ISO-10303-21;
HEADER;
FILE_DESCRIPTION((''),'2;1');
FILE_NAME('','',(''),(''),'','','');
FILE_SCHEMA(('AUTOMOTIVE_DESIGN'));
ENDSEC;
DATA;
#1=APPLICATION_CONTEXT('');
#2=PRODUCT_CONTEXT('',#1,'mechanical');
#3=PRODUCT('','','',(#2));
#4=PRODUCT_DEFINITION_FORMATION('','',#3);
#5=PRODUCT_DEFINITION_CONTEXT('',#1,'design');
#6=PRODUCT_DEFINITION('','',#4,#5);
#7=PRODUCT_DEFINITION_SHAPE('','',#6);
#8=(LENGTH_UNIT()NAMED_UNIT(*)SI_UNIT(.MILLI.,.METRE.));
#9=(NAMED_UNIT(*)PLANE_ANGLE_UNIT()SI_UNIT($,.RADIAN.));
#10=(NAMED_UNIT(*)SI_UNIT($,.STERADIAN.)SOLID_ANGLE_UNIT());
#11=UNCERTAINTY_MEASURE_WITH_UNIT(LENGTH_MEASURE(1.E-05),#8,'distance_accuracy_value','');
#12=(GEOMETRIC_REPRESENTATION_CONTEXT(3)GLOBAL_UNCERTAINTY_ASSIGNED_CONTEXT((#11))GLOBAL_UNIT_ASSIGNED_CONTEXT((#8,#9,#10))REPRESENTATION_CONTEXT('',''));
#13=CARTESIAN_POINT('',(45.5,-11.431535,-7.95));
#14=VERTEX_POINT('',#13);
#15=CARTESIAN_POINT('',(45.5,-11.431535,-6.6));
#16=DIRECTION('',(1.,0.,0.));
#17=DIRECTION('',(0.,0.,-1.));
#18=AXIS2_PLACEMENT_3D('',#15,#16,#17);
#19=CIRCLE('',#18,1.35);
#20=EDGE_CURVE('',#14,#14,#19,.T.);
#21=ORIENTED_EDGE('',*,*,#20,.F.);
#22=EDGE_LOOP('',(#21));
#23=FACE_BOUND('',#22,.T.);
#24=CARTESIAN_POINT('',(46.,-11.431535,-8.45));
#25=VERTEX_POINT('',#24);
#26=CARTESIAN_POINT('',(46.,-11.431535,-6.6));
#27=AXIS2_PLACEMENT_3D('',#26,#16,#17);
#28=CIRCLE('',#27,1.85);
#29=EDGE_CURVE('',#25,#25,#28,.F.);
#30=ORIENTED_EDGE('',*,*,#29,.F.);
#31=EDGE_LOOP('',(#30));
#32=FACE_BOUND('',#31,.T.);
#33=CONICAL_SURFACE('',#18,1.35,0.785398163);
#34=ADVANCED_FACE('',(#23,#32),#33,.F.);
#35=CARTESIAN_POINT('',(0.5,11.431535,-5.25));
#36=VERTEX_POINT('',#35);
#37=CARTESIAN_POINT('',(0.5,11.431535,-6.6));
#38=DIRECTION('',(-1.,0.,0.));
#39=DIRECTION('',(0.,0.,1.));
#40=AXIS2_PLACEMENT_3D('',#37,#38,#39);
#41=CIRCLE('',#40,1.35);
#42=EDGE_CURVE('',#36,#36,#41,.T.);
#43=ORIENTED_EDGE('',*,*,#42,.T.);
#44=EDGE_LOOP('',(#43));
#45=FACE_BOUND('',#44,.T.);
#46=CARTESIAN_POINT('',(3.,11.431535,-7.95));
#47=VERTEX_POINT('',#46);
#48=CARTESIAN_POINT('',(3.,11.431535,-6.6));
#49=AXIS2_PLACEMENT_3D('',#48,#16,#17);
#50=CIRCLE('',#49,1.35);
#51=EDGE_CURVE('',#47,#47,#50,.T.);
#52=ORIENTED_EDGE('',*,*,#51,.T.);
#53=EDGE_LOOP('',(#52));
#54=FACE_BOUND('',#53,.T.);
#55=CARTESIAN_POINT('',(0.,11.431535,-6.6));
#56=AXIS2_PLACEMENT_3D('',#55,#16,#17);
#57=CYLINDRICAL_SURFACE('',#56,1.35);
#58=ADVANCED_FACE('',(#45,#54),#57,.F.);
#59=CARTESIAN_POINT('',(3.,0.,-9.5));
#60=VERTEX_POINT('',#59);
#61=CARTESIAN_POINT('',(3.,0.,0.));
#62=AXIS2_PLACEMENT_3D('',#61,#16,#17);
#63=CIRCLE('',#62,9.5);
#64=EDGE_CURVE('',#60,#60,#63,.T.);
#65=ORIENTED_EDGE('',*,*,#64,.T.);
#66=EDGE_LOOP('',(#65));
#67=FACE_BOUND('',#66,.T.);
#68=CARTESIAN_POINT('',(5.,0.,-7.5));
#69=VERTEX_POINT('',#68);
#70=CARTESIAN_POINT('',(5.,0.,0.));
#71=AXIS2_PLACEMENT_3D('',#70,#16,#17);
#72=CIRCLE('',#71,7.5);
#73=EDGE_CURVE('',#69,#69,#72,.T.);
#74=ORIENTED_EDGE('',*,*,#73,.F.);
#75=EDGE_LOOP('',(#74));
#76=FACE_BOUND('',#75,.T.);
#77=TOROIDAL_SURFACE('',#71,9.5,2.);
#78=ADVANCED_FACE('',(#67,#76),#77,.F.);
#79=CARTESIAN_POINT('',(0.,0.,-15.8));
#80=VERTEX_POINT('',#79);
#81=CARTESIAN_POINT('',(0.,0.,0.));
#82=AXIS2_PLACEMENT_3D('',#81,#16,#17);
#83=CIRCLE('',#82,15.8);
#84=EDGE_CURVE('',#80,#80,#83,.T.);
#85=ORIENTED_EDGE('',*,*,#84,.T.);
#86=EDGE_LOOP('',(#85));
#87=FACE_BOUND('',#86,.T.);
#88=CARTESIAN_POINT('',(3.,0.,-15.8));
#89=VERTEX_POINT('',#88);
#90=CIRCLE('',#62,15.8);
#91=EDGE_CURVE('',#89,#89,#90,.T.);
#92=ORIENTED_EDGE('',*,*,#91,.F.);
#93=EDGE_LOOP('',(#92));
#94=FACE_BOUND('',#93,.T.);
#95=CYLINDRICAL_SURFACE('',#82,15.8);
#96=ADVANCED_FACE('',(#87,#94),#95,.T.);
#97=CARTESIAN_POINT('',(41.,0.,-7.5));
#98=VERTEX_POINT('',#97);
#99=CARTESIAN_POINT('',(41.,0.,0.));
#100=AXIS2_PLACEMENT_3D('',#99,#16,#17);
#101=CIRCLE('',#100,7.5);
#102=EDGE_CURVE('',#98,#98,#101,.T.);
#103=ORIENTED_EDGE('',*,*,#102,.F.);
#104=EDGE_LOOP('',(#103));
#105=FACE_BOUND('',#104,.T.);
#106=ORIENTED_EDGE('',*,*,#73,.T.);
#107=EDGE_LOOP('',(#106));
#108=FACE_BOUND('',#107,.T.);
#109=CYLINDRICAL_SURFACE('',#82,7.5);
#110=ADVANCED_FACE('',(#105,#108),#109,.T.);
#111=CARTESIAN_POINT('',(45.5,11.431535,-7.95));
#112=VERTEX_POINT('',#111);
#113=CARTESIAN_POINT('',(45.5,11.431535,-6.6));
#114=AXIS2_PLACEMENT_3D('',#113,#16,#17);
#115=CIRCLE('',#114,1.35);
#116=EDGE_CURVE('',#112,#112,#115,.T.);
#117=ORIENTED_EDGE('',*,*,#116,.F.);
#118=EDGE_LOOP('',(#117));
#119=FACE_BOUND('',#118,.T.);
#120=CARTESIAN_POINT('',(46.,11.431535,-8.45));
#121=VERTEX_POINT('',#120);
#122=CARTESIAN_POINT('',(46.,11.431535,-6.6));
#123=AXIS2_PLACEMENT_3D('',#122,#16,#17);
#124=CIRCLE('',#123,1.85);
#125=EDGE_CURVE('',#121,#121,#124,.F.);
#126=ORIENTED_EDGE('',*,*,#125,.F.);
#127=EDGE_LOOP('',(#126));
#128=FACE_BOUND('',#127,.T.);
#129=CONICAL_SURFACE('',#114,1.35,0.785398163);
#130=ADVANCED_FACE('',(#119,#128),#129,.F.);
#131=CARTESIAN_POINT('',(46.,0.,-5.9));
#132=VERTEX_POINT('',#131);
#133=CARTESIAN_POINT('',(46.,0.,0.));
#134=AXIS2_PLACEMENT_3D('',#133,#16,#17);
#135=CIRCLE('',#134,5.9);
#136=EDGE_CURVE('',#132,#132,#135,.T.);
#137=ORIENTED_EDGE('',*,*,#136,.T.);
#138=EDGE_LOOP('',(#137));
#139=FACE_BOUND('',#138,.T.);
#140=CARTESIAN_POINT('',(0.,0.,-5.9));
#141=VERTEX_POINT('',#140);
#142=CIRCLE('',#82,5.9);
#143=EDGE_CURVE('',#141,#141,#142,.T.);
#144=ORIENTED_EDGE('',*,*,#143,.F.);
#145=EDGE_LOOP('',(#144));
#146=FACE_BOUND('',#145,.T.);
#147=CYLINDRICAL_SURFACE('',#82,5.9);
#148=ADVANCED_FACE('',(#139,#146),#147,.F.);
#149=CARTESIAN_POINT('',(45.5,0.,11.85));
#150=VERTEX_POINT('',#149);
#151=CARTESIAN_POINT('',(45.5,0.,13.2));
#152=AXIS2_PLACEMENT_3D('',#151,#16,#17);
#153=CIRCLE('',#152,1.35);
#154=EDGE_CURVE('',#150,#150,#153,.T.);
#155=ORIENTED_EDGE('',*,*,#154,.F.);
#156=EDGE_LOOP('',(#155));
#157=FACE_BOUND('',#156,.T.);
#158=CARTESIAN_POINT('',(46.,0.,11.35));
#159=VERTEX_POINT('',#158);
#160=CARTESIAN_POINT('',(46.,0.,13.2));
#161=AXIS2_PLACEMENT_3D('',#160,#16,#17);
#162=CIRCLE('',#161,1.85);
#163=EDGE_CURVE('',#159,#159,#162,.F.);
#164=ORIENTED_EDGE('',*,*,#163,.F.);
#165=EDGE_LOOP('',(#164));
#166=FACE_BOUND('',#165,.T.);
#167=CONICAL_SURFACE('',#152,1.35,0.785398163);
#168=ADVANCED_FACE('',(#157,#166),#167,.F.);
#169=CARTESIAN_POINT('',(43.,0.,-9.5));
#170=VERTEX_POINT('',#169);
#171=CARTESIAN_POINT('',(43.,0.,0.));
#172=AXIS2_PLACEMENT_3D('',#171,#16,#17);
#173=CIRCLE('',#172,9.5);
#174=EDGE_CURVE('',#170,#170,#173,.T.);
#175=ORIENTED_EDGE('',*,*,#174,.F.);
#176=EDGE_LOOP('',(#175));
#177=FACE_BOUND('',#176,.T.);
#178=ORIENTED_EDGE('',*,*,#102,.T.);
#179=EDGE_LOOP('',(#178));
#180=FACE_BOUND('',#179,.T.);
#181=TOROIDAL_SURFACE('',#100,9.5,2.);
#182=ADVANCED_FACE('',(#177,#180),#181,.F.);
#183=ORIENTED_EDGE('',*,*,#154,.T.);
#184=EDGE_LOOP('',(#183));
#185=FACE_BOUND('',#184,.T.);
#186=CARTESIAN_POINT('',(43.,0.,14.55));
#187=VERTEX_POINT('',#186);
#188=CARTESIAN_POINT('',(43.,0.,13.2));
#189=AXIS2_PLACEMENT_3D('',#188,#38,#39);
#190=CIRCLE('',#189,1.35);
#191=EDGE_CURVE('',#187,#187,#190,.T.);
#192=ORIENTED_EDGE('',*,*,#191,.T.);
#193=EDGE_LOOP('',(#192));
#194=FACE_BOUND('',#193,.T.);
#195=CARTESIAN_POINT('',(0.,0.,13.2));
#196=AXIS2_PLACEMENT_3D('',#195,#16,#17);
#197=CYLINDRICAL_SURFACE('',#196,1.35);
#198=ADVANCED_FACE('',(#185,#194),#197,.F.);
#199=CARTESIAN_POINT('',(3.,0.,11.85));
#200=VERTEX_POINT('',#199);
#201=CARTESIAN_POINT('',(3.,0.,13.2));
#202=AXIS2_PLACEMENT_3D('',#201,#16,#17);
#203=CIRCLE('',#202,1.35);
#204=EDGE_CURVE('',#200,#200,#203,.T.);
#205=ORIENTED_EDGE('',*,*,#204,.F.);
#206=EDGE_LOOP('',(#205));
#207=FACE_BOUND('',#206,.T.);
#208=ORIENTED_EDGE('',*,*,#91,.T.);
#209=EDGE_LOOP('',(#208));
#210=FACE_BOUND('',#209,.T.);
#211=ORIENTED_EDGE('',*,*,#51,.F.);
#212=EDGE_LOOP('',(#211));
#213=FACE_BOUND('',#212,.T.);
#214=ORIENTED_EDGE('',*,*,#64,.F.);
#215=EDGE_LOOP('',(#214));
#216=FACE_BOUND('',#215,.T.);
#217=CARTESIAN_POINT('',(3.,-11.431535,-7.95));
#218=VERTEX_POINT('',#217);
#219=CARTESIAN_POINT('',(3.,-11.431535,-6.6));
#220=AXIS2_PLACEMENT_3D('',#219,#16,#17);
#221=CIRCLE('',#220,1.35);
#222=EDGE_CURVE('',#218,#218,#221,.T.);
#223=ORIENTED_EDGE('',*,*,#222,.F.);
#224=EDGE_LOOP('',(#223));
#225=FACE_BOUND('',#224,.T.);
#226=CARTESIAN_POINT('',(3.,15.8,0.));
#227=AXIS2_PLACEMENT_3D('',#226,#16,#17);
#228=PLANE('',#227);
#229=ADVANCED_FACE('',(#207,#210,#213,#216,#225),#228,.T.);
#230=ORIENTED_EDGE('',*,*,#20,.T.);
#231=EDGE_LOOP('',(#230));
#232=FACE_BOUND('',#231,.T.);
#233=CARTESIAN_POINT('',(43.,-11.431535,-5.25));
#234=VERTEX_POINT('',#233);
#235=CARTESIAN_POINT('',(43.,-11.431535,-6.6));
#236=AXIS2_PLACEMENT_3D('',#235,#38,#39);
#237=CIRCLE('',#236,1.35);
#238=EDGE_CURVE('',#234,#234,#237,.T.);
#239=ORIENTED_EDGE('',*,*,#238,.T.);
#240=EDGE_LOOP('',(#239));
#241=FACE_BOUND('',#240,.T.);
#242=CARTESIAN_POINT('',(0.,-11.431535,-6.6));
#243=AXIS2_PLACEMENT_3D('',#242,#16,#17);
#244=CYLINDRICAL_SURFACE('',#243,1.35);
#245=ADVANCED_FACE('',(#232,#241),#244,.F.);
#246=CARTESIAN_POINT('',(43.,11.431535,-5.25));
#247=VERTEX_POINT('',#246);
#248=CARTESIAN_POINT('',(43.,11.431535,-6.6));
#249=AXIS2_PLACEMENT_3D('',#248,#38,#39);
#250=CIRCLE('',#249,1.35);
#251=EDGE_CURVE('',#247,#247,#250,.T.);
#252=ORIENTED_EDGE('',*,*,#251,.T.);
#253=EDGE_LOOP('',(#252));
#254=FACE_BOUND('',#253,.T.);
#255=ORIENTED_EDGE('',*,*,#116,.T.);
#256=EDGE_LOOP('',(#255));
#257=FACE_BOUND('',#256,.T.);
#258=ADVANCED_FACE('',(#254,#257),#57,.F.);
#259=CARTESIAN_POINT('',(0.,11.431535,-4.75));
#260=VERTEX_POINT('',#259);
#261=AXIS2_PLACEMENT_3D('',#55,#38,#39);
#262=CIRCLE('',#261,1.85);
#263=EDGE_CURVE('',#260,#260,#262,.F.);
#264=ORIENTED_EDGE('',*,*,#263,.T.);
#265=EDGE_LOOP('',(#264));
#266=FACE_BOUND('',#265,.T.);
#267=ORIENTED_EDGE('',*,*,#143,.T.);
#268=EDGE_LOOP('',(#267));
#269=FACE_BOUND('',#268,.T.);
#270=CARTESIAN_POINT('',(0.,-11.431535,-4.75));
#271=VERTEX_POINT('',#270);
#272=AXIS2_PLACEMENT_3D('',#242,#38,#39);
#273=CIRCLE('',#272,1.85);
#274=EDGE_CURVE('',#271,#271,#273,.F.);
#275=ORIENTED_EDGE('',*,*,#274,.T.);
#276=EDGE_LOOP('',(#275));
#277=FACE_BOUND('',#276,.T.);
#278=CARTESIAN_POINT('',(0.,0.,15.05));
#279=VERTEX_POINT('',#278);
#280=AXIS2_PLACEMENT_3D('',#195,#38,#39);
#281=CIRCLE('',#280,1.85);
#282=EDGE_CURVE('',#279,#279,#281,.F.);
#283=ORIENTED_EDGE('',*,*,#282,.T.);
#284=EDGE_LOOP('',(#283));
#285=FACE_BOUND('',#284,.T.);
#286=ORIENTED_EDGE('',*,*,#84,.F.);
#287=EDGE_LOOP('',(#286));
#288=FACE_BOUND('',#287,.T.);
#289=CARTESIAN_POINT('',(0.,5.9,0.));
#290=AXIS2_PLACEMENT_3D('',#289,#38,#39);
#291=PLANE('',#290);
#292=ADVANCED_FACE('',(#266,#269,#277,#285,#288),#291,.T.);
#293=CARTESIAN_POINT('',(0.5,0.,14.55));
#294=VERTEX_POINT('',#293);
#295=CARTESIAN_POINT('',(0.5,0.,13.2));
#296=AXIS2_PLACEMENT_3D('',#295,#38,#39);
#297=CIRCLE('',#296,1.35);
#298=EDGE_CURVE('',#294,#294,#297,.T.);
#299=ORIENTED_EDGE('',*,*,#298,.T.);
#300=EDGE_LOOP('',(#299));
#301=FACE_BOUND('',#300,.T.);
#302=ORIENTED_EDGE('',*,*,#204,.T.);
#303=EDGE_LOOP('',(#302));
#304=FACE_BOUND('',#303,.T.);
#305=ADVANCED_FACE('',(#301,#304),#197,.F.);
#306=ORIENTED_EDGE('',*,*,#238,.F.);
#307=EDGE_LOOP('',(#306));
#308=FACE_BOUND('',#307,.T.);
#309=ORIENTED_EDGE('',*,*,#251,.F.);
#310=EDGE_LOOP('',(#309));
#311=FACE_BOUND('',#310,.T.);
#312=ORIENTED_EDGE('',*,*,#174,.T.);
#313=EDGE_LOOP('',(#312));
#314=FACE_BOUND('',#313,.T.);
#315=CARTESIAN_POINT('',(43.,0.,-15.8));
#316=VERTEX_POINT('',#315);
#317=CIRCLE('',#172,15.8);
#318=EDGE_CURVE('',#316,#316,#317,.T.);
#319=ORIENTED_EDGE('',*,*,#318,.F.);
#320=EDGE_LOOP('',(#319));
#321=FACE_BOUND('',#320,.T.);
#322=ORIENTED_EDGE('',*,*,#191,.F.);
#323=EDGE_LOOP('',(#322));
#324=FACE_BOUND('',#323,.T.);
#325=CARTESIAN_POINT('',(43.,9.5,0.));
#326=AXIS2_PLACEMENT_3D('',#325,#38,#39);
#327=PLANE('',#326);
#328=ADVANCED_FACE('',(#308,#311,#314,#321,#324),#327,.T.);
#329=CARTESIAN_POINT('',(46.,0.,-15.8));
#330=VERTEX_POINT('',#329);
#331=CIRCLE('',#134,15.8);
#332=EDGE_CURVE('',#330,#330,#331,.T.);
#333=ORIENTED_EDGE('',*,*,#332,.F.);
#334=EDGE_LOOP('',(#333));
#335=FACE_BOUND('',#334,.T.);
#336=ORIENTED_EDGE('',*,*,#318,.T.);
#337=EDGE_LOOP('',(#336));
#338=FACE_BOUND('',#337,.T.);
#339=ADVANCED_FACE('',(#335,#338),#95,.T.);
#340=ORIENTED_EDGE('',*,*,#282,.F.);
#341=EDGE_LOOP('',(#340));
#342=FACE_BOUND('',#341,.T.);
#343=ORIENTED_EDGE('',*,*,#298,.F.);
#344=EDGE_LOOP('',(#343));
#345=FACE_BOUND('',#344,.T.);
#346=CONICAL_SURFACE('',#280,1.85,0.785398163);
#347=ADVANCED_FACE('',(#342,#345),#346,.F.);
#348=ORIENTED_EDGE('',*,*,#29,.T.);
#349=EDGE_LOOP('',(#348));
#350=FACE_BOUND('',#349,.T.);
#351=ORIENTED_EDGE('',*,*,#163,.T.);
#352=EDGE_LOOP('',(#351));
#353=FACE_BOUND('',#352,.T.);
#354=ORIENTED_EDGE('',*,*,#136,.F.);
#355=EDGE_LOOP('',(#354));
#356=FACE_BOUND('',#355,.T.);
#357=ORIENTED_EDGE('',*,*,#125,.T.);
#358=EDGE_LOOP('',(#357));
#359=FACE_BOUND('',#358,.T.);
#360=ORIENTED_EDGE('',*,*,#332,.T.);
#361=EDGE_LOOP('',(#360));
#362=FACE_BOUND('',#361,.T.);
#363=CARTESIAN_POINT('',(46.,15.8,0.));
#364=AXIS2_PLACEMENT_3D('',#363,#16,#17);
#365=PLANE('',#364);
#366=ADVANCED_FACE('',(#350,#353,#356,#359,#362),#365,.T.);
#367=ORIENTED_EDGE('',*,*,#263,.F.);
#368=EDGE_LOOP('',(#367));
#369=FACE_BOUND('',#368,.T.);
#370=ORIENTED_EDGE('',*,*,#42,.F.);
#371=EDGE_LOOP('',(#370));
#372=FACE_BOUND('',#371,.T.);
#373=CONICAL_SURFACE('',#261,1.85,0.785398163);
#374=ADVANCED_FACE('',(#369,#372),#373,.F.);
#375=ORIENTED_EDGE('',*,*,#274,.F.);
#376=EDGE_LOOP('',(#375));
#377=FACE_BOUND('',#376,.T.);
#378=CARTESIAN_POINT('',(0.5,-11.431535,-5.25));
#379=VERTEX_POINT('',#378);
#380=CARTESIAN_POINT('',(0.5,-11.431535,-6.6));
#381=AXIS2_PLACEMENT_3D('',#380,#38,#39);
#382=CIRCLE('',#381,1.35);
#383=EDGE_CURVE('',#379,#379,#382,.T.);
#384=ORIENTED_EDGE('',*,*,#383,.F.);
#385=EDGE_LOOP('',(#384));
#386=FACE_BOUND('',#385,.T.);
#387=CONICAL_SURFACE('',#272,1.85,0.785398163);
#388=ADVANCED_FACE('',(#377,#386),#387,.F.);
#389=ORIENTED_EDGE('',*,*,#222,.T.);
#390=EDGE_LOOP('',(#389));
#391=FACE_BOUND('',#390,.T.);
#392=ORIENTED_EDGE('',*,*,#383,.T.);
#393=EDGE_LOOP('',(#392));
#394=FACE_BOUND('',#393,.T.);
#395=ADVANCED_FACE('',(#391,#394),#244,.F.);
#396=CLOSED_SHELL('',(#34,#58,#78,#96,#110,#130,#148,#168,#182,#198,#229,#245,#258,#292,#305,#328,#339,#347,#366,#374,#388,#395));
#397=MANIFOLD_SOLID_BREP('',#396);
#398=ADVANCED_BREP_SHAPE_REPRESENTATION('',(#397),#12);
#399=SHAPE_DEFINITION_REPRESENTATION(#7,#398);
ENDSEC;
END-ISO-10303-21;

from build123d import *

# Parameters (mm, degrees)
SKETCH3_R          = 1.35
CUT_EXTRUDE1_DEPTH = 52.139808369
CHAMFER1_SIZE      = 0.5


with BuildPart() as part:
    # Sketch1 → Revolve1 (revolve)
    with BuildSketch(Plane.XY, mode=Mode.PRIVATE) as revolve1_sk:
        with BuildLine():
            Line((0, 5.9), (0, 15.8))
            Line((0, 15.8), (3, 15.8))
            Line((3, 15.8), (3, 9.5))
            ThreePointArc((3, 9.5), (3.585786438, 8.085786438), (5, 7.5))
            Line((5, 7.5), (41, 7.5))
            ThreePointArc((41, 7.5), (42.414213562, 8.085786438), (43, 9.5))
            Line((43, 9.5), (43, 15.8))
            Line((43, 15.8), (46, 15.8))
            Line((46, 15.8), (46, 5.9))
            Line((46, 5.9), (43, 5.9))
            Line((43, 5.9), (3, 5.9))
            Line((3, 5.9), (0, 5.9))
        make_face()
    revolve(revolve1_sk.sketch.rotate(Axis((0, 0, 0), (-1, 0, 0)), 90), axis=Axis((0, 0, 0), (-1, 0, 0)))

    # Sketch3 → Cut-Extrude1 (cut, through all)
    with BuildSketch(Plane(origin=(46, 0, 0), x_dir=(0, 0, -1), z_dir=(1, 0, 0))):
        with Locations((-13.2, 0)):
            Circle(SKETCH3_R)
        with Locations((6.6, 11.43153533)):
            Circle(SKETCH3_R)
        with Locations((6.6, -11.43153533)):
            Circle(SKETCH3_R)
    extrude(amount=-CUT_EXTRUDE1_DEPTH, mode=Mode.SUBTRACT)

    # Chamfer1
    chamfer1_edges = [part.edges().sort_by_distance(p)[0] for p in [
        (0, 0, 14.55),
        (46, 0, 14.55),
        (0, 11.43153533, -5.25),
        (46, 11.43153533, -5.25),
        (0, -11.43153533, -5.25),
        (46, -11.43153533, -5.25),
    ]]
    chamfer(chamfer1_edges, length=CHAMFER1_SIZE)


solid = part.part
